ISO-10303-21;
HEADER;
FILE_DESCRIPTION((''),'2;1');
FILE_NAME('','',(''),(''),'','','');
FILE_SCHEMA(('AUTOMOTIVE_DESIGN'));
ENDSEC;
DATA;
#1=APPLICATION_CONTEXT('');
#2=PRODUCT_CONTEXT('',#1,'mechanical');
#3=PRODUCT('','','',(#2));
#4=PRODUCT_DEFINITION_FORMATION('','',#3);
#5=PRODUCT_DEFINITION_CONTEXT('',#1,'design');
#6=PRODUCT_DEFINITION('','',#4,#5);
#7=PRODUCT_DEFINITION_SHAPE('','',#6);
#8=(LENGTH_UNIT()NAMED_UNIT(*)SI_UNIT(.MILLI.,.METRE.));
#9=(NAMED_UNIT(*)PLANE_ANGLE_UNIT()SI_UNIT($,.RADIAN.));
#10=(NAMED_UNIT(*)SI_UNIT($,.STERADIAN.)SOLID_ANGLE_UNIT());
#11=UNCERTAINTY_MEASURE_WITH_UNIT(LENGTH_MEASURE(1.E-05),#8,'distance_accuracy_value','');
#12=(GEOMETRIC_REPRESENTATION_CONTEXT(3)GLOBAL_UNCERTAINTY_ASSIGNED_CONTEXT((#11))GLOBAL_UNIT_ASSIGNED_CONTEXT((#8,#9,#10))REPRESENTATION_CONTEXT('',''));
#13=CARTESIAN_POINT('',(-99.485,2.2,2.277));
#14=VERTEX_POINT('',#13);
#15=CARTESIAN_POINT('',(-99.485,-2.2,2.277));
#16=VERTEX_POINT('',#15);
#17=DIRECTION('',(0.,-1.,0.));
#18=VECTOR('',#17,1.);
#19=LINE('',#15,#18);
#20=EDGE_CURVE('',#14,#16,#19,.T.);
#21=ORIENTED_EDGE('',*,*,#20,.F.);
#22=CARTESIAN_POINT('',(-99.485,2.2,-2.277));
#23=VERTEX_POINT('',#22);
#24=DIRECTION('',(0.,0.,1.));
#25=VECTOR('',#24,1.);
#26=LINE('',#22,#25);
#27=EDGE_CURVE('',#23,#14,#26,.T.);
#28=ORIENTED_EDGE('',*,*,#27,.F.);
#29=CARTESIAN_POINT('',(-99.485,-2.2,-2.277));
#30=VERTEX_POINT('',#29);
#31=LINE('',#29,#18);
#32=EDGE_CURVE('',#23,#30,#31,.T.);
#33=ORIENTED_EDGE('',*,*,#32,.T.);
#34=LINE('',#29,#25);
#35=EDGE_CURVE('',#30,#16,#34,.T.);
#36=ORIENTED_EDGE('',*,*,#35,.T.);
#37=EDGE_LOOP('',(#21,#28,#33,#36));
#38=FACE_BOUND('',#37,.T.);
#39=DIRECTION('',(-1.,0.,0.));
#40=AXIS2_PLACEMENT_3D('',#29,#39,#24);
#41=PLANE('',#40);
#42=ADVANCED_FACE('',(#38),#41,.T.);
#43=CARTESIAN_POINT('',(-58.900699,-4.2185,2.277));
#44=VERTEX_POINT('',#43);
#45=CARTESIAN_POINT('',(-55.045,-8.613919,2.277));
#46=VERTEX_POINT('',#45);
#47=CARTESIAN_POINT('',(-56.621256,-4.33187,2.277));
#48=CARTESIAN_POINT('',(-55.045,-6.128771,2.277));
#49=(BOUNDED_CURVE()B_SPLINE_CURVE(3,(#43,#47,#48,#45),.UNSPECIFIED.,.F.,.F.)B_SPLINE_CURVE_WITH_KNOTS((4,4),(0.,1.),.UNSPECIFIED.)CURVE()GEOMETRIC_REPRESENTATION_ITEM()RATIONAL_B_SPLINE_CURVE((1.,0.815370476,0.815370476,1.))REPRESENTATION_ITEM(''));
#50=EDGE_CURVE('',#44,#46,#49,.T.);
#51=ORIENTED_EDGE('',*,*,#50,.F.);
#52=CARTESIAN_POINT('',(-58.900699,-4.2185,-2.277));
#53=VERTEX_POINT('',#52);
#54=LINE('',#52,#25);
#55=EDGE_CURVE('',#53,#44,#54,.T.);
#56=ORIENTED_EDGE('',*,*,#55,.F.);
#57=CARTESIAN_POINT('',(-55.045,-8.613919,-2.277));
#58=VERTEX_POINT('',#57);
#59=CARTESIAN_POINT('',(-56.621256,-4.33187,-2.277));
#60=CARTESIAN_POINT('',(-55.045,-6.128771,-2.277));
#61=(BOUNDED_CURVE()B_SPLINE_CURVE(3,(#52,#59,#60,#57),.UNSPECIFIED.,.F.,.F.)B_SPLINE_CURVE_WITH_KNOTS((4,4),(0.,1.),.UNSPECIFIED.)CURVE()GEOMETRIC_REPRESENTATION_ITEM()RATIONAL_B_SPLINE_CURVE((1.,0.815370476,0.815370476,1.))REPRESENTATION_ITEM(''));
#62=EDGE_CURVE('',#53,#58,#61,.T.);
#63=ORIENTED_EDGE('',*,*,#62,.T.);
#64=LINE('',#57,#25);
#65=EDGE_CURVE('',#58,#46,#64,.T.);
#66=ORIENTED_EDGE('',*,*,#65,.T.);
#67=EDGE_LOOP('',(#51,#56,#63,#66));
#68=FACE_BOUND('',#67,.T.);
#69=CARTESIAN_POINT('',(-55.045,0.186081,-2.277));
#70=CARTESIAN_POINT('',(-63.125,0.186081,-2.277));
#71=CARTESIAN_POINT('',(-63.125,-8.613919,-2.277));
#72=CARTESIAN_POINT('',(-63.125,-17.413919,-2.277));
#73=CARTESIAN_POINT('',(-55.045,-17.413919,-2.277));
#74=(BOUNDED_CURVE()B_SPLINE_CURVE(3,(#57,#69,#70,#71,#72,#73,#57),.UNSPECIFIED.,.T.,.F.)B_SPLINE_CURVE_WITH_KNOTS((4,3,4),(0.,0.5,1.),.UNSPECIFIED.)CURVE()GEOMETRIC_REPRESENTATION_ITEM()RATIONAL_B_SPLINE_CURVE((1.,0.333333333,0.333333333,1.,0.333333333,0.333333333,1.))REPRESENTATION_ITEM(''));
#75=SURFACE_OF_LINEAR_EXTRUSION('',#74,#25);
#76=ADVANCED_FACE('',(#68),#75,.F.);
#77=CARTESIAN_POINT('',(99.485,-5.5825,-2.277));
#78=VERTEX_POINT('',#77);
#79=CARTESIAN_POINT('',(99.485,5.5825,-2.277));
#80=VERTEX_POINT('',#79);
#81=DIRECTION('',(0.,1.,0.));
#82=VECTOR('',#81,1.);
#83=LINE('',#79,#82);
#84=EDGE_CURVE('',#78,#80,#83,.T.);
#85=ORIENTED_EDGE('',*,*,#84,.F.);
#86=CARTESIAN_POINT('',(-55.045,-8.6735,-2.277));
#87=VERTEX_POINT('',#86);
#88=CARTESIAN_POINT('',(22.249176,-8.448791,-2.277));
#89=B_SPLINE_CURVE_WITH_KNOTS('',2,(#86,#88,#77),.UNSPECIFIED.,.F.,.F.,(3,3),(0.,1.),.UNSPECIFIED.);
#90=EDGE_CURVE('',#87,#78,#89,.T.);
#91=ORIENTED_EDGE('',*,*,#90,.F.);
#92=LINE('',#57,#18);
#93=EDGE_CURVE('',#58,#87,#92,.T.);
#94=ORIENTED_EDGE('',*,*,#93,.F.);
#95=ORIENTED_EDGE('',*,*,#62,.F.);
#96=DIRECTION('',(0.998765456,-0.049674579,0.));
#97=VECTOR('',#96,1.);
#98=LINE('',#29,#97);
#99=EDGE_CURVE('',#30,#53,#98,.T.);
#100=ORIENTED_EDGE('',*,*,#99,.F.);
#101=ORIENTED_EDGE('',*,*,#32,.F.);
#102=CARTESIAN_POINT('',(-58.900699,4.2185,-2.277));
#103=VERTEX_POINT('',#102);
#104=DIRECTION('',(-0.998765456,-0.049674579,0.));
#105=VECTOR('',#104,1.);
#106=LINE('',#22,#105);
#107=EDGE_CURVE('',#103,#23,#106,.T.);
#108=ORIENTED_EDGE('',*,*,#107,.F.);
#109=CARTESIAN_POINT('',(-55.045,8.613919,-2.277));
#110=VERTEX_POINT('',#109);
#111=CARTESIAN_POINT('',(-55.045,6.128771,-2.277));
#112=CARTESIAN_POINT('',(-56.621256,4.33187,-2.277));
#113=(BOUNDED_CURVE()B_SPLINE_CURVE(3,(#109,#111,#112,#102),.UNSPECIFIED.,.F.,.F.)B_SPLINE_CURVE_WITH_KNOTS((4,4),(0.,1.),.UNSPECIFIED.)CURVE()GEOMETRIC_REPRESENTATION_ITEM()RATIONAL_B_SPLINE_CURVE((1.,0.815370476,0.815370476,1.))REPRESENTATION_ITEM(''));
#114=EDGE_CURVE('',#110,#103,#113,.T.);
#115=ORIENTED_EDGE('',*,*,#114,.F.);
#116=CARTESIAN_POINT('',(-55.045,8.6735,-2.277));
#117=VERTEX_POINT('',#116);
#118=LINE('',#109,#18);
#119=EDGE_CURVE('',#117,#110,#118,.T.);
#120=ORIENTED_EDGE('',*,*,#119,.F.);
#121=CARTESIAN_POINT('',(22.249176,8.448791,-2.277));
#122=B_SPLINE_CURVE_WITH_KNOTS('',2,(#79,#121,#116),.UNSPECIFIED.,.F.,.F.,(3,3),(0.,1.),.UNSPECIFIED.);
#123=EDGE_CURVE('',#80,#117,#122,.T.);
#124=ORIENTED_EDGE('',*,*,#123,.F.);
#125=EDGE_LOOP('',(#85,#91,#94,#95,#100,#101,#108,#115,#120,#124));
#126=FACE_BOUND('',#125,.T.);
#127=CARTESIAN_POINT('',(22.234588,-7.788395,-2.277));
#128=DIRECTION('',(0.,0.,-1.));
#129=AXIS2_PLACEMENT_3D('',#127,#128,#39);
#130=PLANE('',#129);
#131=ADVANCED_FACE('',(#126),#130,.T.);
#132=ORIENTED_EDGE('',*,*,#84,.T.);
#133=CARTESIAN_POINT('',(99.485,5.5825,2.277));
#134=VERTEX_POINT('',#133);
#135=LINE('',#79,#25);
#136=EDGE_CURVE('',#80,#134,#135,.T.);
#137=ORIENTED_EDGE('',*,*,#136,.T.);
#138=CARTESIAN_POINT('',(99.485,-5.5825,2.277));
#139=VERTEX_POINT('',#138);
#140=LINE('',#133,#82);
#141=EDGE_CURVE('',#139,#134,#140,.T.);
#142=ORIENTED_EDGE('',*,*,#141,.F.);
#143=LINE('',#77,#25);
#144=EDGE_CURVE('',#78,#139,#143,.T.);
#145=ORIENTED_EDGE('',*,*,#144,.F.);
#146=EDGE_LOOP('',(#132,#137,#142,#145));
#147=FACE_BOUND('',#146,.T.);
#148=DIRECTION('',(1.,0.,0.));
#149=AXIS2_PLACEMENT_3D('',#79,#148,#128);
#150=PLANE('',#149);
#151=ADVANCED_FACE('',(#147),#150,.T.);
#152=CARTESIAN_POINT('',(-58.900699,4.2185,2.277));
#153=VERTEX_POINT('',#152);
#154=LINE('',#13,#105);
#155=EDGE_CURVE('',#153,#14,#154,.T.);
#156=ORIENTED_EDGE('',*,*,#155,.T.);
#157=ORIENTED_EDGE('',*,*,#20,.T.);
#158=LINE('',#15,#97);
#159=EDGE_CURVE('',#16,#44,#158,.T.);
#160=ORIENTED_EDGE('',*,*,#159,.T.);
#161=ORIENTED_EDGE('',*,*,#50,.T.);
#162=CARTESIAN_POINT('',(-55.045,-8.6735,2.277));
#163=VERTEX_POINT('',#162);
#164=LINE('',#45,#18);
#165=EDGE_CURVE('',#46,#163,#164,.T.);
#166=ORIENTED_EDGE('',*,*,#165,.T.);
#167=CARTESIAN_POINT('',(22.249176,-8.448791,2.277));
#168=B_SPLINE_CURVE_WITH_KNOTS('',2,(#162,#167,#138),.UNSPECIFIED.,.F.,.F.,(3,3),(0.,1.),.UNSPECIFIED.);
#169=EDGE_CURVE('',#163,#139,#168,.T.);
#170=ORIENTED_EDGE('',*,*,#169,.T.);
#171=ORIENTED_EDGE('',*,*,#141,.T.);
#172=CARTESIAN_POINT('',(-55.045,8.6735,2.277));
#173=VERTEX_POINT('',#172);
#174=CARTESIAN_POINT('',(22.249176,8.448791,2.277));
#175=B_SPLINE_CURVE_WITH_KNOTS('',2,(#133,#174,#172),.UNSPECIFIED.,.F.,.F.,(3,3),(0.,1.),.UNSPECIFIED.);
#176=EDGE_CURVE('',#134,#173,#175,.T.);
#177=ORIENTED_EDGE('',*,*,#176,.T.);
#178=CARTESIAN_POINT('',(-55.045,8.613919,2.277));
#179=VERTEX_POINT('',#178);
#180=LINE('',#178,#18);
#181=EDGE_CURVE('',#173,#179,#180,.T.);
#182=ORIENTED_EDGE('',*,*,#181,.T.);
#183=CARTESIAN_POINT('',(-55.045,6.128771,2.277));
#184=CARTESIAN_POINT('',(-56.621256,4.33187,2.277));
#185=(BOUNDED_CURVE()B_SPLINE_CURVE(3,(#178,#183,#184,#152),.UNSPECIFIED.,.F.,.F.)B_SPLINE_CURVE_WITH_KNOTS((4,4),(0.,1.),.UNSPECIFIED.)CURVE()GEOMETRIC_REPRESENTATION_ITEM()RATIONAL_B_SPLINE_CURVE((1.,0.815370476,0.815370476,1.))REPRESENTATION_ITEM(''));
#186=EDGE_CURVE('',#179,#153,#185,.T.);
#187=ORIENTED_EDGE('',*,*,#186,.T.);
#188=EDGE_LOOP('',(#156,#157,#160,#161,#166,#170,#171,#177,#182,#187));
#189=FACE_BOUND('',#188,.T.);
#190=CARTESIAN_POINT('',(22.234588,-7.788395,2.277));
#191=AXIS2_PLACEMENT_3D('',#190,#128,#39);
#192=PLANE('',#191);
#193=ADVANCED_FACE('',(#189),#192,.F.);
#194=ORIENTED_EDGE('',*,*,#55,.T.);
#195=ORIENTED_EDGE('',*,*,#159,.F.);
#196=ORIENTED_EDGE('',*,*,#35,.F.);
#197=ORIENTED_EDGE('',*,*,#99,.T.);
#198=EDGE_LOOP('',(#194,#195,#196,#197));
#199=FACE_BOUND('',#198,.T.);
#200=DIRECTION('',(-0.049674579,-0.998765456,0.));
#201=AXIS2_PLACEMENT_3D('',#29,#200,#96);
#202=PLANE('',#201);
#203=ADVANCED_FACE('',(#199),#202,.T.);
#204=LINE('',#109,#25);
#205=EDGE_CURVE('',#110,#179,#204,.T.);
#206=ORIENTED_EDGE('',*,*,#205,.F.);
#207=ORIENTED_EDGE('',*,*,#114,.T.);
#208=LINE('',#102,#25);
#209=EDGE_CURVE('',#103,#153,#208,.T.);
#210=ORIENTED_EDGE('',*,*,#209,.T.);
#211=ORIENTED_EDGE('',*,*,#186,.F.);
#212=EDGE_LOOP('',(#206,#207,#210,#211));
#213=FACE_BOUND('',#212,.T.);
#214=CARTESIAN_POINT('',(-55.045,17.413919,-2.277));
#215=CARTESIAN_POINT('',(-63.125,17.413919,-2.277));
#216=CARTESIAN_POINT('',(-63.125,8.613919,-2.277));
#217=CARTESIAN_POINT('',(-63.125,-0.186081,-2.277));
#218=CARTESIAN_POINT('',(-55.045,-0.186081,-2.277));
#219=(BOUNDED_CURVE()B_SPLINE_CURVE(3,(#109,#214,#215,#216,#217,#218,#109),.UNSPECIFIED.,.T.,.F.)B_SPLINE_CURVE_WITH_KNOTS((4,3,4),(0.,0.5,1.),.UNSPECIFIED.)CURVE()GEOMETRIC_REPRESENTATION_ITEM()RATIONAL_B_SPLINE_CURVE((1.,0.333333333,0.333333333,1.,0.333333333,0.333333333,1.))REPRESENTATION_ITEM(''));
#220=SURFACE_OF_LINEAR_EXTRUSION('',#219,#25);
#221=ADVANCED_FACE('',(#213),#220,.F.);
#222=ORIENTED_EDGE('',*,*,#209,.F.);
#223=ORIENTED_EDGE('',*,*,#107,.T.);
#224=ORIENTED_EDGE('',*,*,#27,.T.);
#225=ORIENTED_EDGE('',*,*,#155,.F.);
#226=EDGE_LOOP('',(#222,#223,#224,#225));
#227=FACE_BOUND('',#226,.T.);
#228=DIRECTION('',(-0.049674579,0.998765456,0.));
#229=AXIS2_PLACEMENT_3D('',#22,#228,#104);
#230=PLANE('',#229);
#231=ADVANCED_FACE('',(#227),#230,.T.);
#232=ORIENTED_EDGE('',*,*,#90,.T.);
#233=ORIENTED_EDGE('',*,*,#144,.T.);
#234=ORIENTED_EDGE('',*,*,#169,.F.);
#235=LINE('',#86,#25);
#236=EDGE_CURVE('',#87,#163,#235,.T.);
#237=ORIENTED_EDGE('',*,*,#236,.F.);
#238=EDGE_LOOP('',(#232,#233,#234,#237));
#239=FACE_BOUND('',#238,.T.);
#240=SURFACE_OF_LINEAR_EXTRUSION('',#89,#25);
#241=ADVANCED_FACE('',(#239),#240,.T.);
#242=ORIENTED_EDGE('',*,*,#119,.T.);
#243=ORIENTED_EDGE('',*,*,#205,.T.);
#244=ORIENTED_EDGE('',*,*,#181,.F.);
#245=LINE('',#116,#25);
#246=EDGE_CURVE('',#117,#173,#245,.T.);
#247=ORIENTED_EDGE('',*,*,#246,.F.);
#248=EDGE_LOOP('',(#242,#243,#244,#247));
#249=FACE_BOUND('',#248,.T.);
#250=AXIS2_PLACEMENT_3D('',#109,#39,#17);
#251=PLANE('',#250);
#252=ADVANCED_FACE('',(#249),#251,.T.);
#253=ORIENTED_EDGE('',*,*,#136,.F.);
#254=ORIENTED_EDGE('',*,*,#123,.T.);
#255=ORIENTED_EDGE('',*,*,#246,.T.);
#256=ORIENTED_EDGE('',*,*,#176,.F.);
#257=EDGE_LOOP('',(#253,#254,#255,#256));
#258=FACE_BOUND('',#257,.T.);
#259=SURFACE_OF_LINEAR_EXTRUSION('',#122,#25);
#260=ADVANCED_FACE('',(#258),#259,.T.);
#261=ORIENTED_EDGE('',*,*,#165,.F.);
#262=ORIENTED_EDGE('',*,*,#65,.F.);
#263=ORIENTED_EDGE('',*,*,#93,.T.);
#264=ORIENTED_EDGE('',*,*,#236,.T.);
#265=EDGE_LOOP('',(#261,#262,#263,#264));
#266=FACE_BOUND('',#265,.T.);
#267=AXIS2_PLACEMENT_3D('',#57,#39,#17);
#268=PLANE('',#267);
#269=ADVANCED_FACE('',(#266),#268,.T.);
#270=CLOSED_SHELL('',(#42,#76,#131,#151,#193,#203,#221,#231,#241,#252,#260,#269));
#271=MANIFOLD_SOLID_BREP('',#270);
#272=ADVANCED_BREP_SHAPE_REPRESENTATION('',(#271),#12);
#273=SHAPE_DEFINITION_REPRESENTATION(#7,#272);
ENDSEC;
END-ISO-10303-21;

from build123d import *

# Parameters (mm, degrees)
BOSS_EXTRUDE1_DEPTH      = 2.07
BOSS_EXTRUDE1_DEPTH_BACK = 2.07
SCALE1_SCALE_X           = 1.01
SCALE1_SCALE_Y           = 1.1
SCALE1_SCALE_Z           = 1.1


with BuildPart() as part:
    # Sketch1 → Boss-Extrude1 (new, two sides: drawn at the far end of the back side and taken through both)
    with BuildSketch(Plane.XY.offset(-BOSS_EXTRUDE1_DEPTH_BACK)):
        with BuildLine():
            Line((-98.5, -2), (-98.5, 2))
            Line((-98.5, 2), (-58.317523483, 3.835))
            ThreePointArc((-58.317523483, 3.835), (-55.607777146, 5.067676748), (-54.5, 7.830835622))
            Line((-54.5, 7.830835622), (-54.5, 7.885))
            add(Edge.make_bspline(
                [(-54.5, 7.885), (22.028887168, 7.680718763), (98.5, 5.075)],
                knots=[0, 0, 0, 1, 1, 1], degree=2))
            Line((98.5, 5.075), (98.5, -5.075))
            add(Edge.make_bspline(
                [(-54.5, -7.885), (22.028887168, -7.680718763), (98.5, -5.075)],
                knots=[0, 0, 0, 1, 1, 1], degree=2))
            Line((-54.5, -7.885), (-54.5, -7.830835622))
            ThreePointArc((-54.5, -7.830835622), (-55.607777146, -5.067676748), (-58.317523483, -3.835))
            Line((-58.317523483, -3.835), (-98.5, -2))
        make_face()
    extrude(amount=BOSS_EXTRUDE1_DEPTH + BOSS_EXTRUDE1_DEPTH_BACK)


with BuildPart() as part_1:
    # Scale1: scaled about (0, 0, 0)
    add(part.part.scale((SCALE1_SCALE_X, SCALE1_SCALE_Y, SCALE1_SCALE_Z), about=(0, 0, 0)))


solid = part_1.part
